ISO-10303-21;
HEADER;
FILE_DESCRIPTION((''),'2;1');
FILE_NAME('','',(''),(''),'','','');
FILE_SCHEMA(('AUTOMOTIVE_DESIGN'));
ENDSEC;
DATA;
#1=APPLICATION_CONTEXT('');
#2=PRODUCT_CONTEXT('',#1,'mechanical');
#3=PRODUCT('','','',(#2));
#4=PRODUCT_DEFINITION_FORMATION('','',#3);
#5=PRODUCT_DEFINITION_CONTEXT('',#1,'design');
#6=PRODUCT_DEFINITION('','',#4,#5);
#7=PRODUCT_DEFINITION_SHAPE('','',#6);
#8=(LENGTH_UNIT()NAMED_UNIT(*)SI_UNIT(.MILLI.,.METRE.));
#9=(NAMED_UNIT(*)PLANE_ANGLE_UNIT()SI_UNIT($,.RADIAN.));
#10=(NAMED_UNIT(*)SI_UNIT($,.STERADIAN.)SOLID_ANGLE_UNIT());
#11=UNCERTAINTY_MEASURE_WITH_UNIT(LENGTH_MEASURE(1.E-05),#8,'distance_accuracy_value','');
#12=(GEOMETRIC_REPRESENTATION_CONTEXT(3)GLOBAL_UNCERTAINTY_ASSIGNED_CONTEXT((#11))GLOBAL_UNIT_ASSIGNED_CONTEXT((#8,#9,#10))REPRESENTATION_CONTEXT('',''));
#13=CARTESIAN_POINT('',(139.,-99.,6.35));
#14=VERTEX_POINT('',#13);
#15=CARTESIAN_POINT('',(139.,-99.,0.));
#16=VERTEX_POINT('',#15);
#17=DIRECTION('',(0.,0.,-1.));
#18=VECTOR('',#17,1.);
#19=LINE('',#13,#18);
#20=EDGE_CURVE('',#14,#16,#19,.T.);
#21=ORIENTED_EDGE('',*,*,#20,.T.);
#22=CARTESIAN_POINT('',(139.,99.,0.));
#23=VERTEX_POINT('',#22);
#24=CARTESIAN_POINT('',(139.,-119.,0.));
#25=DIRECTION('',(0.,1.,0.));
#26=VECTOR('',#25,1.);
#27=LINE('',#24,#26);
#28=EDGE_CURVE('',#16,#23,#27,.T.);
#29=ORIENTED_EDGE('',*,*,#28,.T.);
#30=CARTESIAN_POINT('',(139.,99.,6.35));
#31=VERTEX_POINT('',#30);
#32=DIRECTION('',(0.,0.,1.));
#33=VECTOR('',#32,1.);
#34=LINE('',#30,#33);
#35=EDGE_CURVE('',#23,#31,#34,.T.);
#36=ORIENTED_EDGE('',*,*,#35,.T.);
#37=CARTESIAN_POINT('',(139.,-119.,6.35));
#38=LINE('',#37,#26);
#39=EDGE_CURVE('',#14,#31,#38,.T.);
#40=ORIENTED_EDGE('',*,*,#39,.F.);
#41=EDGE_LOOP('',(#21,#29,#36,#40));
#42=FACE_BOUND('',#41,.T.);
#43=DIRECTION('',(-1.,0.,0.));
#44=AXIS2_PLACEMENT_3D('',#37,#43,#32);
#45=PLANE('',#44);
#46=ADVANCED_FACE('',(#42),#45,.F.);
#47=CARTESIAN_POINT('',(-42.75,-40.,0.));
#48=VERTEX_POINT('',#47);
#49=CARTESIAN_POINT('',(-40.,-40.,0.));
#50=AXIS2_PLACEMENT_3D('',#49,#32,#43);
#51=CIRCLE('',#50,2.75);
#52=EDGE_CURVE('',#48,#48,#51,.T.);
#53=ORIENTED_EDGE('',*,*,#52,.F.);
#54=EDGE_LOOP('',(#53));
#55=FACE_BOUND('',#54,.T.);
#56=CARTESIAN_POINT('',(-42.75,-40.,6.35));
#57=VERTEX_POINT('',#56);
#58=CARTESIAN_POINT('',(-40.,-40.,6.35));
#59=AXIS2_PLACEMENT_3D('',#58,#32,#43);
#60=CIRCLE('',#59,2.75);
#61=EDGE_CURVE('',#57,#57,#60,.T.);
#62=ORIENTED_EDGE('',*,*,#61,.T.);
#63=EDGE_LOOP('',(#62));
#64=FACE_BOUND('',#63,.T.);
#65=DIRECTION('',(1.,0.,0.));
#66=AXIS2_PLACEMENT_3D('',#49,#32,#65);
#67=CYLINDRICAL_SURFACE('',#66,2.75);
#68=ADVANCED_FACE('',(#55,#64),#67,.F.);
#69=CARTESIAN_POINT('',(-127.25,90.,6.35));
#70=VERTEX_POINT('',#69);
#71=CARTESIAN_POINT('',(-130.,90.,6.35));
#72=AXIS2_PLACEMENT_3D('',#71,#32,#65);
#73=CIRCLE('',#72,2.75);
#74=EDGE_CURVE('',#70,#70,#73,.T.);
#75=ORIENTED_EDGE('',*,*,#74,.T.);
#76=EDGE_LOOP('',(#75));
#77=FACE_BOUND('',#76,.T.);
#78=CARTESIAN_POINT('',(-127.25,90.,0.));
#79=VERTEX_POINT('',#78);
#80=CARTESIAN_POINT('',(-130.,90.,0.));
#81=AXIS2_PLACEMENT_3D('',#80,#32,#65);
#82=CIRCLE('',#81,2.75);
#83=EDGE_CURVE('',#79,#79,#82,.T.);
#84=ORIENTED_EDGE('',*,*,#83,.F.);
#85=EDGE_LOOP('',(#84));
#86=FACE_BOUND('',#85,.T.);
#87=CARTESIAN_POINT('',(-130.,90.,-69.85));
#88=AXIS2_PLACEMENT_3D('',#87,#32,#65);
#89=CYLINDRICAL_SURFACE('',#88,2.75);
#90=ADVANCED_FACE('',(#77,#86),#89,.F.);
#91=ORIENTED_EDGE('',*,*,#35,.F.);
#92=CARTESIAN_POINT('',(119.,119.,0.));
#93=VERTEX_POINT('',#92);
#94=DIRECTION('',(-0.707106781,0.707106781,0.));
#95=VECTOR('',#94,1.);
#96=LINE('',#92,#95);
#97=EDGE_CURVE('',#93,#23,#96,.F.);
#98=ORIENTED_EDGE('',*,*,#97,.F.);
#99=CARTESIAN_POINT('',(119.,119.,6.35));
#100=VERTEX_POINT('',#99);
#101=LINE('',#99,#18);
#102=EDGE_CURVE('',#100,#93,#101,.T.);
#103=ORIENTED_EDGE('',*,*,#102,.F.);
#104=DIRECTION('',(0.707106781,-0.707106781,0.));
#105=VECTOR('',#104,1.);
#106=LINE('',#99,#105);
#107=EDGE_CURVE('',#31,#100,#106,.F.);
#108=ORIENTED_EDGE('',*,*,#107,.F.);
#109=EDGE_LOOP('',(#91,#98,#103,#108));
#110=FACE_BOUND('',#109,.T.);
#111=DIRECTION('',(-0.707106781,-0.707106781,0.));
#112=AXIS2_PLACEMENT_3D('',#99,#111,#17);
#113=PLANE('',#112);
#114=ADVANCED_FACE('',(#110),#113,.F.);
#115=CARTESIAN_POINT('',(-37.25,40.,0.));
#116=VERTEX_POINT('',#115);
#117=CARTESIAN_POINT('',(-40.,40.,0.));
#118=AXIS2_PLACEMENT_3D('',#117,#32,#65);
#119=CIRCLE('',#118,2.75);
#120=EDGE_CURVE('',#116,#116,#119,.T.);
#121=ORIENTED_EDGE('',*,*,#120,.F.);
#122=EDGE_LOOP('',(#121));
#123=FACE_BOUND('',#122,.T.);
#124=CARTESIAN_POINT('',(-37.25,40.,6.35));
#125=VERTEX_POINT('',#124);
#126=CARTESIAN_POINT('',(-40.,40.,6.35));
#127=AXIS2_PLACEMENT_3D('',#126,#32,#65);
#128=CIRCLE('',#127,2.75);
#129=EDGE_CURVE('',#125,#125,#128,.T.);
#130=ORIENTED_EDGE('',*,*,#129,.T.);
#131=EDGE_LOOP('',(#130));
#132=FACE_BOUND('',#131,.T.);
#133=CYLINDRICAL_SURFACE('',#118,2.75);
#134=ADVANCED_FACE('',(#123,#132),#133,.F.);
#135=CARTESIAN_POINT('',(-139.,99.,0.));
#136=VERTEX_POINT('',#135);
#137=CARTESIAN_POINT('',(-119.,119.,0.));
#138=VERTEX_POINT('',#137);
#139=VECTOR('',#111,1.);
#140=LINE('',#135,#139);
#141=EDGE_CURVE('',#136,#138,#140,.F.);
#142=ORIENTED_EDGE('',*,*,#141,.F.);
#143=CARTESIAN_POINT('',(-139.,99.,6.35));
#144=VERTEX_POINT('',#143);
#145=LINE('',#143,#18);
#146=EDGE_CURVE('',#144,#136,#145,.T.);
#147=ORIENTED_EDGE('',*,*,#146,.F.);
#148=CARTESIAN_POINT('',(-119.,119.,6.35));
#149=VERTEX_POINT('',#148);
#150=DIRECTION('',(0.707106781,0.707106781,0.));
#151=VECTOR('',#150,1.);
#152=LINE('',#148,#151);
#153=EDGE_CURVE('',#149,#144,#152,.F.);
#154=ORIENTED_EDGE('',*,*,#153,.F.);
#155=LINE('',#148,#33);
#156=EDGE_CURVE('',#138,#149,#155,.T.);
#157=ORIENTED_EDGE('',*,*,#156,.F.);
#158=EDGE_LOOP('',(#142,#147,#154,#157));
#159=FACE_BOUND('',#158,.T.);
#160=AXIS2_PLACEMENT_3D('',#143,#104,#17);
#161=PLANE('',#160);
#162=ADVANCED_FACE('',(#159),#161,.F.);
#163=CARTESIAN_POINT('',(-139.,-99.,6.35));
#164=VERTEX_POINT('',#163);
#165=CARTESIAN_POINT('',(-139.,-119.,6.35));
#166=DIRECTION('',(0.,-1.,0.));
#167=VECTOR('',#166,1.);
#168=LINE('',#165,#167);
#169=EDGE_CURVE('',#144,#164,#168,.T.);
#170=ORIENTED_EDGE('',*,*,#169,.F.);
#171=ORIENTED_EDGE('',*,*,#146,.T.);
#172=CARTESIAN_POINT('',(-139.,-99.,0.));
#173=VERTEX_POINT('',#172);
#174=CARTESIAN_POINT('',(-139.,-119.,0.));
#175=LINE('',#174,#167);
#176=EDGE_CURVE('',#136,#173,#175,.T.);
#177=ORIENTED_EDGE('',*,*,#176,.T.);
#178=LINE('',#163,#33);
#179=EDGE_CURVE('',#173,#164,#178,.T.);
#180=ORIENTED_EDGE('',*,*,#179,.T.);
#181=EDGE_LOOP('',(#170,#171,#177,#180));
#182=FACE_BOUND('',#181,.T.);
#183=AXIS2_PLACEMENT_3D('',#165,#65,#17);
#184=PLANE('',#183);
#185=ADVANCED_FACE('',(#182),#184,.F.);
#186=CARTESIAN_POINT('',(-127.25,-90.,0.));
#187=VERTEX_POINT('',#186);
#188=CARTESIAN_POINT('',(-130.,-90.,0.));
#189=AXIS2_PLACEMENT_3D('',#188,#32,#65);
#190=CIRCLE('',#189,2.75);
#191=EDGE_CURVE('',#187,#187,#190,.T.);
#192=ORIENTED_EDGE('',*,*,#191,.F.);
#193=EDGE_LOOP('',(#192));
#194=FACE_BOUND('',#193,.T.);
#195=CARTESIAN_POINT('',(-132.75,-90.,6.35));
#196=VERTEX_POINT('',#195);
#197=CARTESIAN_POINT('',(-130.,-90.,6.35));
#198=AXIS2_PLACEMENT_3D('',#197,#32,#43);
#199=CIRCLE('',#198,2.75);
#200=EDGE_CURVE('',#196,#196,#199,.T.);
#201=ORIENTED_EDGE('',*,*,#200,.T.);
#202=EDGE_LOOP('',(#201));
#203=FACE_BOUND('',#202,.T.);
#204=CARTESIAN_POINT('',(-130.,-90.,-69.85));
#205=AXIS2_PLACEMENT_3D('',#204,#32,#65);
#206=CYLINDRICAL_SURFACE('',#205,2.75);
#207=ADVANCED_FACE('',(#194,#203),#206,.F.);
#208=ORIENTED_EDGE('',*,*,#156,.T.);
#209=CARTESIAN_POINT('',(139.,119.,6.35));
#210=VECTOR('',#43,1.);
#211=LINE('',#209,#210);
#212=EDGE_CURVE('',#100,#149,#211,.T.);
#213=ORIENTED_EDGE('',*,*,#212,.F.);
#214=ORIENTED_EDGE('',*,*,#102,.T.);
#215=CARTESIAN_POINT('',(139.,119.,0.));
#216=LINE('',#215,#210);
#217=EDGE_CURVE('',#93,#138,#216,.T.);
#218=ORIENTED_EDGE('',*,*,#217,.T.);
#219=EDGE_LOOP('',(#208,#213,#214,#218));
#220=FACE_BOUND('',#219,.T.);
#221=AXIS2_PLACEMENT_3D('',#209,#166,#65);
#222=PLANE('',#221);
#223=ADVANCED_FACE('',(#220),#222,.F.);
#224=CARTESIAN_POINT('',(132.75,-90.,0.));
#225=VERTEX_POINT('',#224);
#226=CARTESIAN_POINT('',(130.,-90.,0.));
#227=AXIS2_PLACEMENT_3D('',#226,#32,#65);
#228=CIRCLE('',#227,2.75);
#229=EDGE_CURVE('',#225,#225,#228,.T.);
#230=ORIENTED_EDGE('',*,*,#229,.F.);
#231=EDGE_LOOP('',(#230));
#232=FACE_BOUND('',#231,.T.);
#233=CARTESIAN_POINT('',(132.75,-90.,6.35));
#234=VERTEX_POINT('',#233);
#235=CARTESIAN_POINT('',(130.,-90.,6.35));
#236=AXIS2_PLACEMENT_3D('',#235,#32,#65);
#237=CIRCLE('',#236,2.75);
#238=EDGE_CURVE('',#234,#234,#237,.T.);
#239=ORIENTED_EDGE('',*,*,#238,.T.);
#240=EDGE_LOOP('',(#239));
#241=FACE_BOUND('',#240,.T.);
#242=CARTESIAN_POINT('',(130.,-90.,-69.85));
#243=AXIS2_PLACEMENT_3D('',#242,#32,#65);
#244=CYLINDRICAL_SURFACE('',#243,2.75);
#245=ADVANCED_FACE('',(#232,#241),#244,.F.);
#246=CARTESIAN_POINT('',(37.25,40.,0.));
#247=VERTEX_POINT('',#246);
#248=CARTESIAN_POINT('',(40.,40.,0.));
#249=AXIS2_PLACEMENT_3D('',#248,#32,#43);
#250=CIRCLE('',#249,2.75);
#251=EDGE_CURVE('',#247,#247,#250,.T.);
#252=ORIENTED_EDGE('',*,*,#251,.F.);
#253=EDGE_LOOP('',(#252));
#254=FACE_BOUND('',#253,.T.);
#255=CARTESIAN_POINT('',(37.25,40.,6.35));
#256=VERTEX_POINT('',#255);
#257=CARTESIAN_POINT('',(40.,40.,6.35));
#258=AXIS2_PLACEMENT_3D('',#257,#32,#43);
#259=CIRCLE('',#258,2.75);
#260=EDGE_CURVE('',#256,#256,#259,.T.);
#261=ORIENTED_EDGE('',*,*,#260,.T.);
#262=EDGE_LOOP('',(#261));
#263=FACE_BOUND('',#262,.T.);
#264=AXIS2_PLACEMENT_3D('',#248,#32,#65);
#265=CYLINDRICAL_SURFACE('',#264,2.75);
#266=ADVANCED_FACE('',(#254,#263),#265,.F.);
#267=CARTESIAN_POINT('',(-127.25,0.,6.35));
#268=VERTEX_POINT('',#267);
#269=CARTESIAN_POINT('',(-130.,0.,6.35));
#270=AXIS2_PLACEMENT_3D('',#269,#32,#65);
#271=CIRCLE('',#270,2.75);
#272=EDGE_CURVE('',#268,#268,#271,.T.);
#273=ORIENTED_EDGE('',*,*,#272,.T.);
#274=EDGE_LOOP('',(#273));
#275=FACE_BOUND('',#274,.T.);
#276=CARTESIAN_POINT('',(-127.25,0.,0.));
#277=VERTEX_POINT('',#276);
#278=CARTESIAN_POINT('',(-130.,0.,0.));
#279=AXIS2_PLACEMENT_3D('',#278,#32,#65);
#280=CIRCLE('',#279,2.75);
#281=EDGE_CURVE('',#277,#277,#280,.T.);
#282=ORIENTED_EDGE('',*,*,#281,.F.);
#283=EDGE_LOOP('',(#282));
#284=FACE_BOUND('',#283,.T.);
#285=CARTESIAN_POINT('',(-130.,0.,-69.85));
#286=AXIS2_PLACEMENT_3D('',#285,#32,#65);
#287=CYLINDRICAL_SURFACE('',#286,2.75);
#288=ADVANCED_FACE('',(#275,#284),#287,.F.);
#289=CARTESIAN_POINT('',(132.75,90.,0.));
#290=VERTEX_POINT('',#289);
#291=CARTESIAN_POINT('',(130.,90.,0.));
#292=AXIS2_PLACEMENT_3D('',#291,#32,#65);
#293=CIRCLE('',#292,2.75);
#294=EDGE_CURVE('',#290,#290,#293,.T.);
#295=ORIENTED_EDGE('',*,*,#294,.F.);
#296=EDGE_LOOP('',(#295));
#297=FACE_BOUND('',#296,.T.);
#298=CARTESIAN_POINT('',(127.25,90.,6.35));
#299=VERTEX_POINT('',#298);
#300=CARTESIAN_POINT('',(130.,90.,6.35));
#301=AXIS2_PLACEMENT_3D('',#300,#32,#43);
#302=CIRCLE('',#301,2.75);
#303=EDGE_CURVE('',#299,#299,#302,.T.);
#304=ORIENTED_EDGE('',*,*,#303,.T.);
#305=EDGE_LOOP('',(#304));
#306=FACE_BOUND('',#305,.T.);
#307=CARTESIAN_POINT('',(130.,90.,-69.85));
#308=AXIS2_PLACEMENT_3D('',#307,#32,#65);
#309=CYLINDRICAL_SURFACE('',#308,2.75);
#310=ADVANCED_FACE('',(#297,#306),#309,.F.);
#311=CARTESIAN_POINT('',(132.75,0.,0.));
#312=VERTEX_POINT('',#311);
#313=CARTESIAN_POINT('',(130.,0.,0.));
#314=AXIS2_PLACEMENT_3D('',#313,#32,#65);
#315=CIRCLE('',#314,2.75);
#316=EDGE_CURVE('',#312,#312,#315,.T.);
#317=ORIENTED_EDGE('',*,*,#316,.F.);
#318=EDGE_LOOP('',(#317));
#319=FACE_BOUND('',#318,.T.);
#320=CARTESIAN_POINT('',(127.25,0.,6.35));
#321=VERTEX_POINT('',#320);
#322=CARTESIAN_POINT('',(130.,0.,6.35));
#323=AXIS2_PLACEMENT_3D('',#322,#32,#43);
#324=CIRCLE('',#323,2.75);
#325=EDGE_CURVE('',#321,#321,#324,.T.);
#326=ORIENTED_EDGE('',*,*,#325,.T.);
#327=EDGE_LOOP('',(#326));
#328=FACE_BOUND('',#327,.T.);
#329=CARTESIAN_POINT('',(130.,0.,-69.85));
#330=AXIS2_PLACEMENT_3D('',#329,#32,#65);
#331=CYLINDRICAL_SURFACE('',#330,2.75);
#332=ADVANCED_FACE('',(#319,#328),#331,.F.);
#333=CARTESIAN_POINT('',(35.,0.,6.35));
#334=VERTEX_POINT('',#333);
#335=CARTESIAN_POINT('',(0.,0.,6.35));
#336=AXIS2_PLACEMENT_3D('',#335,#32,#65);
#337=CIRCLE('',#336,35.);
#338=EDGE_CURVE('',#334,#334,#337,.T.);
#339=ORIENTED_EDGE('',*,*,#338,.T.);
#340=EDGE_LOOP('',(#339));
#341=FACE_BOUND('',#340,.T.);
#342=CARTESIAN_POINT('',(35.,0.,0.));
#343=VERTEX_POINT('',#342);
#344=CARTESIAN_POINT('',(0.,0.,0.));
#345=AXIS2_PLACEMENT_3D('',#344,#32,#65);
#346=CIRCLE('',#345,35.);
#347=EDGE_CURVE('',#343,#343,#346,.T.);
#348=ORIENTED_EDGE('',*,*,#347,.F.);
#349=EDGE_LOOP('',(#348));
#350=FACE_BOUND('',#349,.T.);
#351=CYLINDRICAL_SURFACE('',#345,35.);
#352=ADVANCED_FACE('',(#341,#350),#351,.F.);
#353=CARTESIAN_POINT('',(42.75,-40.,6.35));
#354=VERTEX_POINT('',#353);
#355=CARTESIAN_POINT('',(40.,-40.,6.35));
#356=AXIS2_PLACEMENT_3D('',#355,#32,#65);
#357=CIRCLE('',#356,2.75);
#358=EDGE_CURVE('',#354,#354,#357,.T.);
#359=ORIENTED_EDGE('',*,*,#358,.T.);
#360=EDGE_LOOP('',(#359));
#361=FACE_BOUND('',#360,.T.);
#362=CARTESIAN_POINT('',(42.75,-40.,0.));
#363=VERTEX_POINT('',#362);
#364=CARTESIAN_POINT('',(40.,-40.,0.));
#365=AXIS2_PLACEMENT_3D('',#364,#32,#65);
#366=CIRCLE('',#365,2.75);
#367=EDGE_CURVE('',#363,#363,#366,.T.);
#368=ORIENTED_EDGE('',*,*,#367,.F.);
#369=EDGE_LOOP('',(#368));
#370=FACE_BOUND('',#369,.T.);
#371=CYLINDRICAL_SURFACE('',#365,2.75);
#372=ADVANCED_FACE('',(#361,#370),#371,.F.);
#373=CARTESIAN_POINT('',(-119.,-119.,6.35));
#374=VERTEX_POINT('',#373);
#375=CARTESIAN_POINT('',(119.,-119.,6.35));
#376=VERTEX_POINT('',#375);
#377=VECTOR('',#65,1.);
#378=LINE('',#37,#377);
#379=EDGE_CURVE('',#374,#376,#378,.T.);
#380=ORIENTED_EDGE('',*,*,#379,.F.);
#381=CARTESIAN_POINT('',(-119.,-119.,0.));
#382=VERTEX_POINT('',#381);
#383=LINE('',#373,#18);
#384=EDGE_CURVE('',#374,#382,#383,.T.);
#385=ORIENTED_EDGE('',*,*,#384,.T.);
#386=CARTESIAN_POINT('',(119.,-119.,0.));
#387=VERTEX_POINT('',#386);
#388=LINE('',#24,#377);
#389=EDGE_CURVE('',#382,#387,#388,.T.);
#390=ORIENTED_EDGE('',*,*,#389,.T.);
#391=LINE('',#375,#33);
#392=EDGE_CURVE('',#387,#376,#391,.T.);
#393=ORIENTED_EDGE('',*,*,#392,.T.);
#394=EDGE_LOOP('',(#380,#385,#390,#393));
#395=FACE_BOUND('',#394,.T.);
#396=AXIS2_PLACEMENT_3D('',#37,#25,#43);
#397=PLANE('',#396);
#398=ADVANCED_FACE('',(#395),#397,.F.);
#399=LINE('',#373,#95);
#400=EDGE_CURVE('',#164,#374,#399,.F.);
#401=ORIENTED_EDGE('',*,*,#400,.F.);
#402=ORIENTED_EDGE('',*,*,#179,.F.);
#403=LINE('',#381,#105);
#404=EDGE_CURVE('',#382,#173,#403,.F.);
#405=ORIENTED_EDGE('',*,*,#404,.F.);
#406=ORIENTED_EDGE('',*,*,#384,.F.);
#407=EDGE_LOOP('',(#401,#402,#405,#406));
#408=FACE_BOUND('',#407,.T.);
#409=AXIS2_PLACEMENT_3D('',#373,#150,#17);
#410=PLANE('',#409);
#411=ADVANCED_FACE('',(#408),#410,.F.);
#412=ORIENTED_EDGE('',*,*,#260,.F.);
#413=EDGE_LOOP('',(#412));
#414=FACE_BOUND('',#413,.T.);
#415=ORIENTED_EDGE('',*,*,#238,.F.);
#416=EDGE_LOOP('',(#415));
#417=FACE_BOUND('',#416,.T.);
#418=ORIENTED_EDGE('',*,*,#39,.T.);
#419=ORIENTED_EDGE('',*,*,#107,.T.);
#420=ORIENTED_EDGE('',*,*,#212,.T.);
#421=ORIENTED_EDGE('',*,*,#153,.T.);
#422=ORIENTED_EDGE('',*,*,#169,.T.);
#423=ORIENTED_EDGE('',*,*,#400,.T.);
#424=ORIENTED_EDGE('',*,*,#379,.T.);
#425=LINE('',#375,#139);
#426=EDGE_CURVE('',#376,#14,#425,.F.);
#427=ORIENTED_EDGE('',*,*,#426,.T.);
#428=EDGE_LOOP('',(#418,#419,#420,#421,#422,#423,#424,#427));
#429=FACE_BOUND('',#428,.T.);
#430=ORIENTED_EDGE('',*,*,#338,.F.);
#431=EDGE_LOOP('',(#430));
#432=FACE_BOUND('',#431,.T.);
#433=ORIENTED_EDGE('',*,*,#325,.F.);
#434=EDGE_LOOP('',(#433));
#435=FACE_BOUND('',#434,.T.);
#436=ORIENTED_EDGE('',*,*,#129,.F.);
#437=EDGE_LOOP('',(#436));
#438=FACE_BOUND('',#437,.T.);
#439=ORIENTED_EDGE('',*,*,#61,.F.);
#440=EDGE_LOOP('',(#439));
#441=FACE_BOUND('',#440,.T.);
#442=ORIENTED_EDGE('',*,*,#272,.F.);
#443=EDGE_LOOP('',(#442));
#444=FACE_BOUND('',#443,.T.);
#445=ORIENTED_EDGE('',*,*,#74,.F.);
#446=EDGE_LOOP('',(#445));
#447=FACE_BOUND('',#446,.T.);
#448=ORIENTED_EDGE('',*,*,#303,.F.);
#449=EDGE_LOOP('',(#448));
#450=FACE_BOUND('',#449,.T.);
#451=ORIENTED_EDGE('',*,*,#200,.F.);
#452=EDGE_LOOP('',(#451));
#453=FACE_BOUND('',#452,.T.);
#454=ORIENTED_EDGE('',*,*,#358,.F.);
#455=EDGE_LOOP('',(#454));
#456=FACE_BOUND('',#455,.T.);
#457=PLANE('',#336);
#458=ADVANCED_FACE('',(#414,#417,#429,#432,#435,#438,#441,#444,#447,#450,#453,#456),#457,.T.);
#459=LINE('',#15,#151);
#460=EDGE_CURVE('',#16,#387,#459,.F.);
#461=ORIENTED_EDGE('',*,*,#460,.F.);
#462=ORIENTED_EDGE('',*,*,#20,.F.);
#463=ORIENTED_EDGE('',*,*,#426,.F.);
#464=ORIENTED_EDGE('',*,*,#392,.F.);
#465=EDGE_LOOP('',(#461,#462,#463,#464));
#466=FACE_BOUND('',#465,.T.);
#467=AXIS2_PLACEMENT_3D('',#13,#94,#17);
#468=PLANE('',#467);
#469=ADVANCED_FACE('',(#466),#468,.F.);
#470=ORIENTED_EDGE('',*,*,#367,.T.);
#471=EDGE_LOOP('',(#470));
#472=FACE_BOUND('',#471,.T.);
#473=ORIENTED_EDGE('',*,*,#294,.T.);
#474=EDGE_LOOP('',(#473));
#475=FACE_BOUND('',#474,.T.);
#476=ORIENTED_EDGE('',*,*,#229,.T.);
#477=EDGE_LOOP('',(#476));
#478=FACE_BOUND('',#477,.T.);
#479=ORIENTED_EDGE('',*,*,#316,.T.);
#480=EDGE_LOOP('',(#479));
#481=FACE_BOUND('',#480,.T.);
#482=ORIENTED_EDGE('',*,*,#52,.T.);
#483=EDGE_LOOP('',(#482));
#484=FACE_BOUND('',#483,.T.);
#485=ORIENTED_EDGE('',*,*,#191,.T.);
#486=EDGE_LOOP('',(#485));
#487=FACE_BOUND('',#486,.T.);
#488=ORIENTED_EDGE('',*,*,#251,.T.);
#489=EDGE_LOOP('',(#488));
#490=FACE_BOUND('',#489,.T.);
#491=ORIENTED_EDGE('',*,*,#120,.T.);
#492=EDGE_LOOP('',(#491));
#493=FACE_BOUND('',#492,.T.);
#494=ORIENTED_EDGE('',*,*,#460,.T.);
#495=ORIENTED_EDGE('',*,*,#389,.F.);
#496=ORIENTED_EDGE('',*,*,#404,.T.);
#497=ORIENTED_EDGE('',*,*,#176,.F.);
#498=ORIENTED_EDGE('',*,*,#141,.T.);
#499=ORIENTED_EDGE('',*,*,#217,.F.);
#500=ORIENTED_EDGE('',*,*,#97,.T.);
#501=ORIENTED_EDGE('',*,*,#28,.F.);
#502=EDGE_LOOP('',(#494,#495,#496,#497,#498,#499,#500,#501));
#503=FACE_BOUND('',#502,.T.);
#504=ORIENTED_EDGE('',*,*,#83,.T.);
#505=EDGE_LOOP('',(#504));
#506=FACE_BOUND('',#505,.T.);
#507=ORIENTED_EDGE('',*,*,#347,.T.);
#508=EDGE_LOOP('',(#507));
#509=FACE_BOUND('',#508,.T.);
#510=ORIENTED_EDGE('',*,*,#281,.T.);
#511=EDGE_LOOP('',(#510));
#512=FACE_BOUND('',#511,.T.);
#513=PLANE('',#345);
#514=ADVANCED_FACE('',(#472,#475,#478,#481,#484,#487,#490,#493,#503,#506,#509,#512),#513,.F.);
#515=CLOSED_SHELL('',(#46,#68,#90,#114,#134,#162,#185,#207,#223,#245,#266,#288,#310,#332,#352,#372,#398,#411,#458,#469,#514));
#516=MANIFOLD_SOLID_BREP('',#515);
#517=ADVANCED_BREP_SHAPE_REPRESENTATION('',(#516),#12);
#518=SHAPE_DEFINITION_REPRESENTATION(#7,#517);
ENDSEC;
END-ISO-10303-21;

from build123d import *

# Parameters (mm, degrees)
SKETCH1_W           = 278
SKETCH1_H           = 238
BOSS_EXTRUDE1_DEPTH = 6.35
SKETCH2_R           = 35
SKETCH2_R_2         = 2.75
CUT_EXTRUDE1_DEPTH  = 7.35
CHAMFER1_SIZE       = 20
SKETCH4_R           = 2.75
CUT_EXTRUDE2_DEPTH  = 76.2


with BuildPart() as part:
    # Sketch1 → Boss-Extrude1 (new body)
    with BuildSketch(Plane.XY):
        Rectangle(SKETCH1_W, SKETCH1_H)
    extrude(amount=BOSS_EXTRUDE1_DEPTH)

    # Sketch2 → Cut-Extrude1 (cut, through all)
    with BuildSketch(Plane.XY.offset(6.35)):
        Circle(SKETCH2_R)
        with Locations((-40, 40)):
            Circle(SKETCH2_R_2)
        with Locations((40, 40)):
            Circle(SKETCH2_R_2)
        with Locations((40, -40)):
            Circle(SKETCH2_R_2)
        with Locations((-40, -40)):
            Circle(SKETCH2_R_2)
    extrude(amount=-CUT_EXTRUDE1_DEPTH, mode=Mode.SUBTRACT)

    # Chamfer1
    chamfer1_edges = [part.edges().sort_by_distance(p)[0] for p in [
        (-139, 119, 3.175),
        (139, 119, 3.175),
        (139, -119, 3.175),
        (-139, -119, 3.175),
    ]]
    chamfer(chamfer1_edges, length=CHAMFER1_SIZE)

    # Sketch4 → Cut-Extrude2 (cut)
    with BuildSketch(Plane.XY.offset(6.35)):
        with Locations((-130, 90)):
            Circle(SKETCH4_R)
        with Locations((130, 90)):
            Circle(SKETCH4_R)
        with Locations((-130, -90)):
            Circle(SKETCH4_R)
        with Locations((130, -90)):
            Circle(SKETCH4_R)
        with Locations((-130, 0)):
            Circle(SKETCH4_R)
        with Locations((130, 0)):
            Circle(SKETCH4_R)
    extrude(amount=-CUT_EXTRUDE2_DEPTH, mode=Mode.SUBTRACT)


solid = part.part
